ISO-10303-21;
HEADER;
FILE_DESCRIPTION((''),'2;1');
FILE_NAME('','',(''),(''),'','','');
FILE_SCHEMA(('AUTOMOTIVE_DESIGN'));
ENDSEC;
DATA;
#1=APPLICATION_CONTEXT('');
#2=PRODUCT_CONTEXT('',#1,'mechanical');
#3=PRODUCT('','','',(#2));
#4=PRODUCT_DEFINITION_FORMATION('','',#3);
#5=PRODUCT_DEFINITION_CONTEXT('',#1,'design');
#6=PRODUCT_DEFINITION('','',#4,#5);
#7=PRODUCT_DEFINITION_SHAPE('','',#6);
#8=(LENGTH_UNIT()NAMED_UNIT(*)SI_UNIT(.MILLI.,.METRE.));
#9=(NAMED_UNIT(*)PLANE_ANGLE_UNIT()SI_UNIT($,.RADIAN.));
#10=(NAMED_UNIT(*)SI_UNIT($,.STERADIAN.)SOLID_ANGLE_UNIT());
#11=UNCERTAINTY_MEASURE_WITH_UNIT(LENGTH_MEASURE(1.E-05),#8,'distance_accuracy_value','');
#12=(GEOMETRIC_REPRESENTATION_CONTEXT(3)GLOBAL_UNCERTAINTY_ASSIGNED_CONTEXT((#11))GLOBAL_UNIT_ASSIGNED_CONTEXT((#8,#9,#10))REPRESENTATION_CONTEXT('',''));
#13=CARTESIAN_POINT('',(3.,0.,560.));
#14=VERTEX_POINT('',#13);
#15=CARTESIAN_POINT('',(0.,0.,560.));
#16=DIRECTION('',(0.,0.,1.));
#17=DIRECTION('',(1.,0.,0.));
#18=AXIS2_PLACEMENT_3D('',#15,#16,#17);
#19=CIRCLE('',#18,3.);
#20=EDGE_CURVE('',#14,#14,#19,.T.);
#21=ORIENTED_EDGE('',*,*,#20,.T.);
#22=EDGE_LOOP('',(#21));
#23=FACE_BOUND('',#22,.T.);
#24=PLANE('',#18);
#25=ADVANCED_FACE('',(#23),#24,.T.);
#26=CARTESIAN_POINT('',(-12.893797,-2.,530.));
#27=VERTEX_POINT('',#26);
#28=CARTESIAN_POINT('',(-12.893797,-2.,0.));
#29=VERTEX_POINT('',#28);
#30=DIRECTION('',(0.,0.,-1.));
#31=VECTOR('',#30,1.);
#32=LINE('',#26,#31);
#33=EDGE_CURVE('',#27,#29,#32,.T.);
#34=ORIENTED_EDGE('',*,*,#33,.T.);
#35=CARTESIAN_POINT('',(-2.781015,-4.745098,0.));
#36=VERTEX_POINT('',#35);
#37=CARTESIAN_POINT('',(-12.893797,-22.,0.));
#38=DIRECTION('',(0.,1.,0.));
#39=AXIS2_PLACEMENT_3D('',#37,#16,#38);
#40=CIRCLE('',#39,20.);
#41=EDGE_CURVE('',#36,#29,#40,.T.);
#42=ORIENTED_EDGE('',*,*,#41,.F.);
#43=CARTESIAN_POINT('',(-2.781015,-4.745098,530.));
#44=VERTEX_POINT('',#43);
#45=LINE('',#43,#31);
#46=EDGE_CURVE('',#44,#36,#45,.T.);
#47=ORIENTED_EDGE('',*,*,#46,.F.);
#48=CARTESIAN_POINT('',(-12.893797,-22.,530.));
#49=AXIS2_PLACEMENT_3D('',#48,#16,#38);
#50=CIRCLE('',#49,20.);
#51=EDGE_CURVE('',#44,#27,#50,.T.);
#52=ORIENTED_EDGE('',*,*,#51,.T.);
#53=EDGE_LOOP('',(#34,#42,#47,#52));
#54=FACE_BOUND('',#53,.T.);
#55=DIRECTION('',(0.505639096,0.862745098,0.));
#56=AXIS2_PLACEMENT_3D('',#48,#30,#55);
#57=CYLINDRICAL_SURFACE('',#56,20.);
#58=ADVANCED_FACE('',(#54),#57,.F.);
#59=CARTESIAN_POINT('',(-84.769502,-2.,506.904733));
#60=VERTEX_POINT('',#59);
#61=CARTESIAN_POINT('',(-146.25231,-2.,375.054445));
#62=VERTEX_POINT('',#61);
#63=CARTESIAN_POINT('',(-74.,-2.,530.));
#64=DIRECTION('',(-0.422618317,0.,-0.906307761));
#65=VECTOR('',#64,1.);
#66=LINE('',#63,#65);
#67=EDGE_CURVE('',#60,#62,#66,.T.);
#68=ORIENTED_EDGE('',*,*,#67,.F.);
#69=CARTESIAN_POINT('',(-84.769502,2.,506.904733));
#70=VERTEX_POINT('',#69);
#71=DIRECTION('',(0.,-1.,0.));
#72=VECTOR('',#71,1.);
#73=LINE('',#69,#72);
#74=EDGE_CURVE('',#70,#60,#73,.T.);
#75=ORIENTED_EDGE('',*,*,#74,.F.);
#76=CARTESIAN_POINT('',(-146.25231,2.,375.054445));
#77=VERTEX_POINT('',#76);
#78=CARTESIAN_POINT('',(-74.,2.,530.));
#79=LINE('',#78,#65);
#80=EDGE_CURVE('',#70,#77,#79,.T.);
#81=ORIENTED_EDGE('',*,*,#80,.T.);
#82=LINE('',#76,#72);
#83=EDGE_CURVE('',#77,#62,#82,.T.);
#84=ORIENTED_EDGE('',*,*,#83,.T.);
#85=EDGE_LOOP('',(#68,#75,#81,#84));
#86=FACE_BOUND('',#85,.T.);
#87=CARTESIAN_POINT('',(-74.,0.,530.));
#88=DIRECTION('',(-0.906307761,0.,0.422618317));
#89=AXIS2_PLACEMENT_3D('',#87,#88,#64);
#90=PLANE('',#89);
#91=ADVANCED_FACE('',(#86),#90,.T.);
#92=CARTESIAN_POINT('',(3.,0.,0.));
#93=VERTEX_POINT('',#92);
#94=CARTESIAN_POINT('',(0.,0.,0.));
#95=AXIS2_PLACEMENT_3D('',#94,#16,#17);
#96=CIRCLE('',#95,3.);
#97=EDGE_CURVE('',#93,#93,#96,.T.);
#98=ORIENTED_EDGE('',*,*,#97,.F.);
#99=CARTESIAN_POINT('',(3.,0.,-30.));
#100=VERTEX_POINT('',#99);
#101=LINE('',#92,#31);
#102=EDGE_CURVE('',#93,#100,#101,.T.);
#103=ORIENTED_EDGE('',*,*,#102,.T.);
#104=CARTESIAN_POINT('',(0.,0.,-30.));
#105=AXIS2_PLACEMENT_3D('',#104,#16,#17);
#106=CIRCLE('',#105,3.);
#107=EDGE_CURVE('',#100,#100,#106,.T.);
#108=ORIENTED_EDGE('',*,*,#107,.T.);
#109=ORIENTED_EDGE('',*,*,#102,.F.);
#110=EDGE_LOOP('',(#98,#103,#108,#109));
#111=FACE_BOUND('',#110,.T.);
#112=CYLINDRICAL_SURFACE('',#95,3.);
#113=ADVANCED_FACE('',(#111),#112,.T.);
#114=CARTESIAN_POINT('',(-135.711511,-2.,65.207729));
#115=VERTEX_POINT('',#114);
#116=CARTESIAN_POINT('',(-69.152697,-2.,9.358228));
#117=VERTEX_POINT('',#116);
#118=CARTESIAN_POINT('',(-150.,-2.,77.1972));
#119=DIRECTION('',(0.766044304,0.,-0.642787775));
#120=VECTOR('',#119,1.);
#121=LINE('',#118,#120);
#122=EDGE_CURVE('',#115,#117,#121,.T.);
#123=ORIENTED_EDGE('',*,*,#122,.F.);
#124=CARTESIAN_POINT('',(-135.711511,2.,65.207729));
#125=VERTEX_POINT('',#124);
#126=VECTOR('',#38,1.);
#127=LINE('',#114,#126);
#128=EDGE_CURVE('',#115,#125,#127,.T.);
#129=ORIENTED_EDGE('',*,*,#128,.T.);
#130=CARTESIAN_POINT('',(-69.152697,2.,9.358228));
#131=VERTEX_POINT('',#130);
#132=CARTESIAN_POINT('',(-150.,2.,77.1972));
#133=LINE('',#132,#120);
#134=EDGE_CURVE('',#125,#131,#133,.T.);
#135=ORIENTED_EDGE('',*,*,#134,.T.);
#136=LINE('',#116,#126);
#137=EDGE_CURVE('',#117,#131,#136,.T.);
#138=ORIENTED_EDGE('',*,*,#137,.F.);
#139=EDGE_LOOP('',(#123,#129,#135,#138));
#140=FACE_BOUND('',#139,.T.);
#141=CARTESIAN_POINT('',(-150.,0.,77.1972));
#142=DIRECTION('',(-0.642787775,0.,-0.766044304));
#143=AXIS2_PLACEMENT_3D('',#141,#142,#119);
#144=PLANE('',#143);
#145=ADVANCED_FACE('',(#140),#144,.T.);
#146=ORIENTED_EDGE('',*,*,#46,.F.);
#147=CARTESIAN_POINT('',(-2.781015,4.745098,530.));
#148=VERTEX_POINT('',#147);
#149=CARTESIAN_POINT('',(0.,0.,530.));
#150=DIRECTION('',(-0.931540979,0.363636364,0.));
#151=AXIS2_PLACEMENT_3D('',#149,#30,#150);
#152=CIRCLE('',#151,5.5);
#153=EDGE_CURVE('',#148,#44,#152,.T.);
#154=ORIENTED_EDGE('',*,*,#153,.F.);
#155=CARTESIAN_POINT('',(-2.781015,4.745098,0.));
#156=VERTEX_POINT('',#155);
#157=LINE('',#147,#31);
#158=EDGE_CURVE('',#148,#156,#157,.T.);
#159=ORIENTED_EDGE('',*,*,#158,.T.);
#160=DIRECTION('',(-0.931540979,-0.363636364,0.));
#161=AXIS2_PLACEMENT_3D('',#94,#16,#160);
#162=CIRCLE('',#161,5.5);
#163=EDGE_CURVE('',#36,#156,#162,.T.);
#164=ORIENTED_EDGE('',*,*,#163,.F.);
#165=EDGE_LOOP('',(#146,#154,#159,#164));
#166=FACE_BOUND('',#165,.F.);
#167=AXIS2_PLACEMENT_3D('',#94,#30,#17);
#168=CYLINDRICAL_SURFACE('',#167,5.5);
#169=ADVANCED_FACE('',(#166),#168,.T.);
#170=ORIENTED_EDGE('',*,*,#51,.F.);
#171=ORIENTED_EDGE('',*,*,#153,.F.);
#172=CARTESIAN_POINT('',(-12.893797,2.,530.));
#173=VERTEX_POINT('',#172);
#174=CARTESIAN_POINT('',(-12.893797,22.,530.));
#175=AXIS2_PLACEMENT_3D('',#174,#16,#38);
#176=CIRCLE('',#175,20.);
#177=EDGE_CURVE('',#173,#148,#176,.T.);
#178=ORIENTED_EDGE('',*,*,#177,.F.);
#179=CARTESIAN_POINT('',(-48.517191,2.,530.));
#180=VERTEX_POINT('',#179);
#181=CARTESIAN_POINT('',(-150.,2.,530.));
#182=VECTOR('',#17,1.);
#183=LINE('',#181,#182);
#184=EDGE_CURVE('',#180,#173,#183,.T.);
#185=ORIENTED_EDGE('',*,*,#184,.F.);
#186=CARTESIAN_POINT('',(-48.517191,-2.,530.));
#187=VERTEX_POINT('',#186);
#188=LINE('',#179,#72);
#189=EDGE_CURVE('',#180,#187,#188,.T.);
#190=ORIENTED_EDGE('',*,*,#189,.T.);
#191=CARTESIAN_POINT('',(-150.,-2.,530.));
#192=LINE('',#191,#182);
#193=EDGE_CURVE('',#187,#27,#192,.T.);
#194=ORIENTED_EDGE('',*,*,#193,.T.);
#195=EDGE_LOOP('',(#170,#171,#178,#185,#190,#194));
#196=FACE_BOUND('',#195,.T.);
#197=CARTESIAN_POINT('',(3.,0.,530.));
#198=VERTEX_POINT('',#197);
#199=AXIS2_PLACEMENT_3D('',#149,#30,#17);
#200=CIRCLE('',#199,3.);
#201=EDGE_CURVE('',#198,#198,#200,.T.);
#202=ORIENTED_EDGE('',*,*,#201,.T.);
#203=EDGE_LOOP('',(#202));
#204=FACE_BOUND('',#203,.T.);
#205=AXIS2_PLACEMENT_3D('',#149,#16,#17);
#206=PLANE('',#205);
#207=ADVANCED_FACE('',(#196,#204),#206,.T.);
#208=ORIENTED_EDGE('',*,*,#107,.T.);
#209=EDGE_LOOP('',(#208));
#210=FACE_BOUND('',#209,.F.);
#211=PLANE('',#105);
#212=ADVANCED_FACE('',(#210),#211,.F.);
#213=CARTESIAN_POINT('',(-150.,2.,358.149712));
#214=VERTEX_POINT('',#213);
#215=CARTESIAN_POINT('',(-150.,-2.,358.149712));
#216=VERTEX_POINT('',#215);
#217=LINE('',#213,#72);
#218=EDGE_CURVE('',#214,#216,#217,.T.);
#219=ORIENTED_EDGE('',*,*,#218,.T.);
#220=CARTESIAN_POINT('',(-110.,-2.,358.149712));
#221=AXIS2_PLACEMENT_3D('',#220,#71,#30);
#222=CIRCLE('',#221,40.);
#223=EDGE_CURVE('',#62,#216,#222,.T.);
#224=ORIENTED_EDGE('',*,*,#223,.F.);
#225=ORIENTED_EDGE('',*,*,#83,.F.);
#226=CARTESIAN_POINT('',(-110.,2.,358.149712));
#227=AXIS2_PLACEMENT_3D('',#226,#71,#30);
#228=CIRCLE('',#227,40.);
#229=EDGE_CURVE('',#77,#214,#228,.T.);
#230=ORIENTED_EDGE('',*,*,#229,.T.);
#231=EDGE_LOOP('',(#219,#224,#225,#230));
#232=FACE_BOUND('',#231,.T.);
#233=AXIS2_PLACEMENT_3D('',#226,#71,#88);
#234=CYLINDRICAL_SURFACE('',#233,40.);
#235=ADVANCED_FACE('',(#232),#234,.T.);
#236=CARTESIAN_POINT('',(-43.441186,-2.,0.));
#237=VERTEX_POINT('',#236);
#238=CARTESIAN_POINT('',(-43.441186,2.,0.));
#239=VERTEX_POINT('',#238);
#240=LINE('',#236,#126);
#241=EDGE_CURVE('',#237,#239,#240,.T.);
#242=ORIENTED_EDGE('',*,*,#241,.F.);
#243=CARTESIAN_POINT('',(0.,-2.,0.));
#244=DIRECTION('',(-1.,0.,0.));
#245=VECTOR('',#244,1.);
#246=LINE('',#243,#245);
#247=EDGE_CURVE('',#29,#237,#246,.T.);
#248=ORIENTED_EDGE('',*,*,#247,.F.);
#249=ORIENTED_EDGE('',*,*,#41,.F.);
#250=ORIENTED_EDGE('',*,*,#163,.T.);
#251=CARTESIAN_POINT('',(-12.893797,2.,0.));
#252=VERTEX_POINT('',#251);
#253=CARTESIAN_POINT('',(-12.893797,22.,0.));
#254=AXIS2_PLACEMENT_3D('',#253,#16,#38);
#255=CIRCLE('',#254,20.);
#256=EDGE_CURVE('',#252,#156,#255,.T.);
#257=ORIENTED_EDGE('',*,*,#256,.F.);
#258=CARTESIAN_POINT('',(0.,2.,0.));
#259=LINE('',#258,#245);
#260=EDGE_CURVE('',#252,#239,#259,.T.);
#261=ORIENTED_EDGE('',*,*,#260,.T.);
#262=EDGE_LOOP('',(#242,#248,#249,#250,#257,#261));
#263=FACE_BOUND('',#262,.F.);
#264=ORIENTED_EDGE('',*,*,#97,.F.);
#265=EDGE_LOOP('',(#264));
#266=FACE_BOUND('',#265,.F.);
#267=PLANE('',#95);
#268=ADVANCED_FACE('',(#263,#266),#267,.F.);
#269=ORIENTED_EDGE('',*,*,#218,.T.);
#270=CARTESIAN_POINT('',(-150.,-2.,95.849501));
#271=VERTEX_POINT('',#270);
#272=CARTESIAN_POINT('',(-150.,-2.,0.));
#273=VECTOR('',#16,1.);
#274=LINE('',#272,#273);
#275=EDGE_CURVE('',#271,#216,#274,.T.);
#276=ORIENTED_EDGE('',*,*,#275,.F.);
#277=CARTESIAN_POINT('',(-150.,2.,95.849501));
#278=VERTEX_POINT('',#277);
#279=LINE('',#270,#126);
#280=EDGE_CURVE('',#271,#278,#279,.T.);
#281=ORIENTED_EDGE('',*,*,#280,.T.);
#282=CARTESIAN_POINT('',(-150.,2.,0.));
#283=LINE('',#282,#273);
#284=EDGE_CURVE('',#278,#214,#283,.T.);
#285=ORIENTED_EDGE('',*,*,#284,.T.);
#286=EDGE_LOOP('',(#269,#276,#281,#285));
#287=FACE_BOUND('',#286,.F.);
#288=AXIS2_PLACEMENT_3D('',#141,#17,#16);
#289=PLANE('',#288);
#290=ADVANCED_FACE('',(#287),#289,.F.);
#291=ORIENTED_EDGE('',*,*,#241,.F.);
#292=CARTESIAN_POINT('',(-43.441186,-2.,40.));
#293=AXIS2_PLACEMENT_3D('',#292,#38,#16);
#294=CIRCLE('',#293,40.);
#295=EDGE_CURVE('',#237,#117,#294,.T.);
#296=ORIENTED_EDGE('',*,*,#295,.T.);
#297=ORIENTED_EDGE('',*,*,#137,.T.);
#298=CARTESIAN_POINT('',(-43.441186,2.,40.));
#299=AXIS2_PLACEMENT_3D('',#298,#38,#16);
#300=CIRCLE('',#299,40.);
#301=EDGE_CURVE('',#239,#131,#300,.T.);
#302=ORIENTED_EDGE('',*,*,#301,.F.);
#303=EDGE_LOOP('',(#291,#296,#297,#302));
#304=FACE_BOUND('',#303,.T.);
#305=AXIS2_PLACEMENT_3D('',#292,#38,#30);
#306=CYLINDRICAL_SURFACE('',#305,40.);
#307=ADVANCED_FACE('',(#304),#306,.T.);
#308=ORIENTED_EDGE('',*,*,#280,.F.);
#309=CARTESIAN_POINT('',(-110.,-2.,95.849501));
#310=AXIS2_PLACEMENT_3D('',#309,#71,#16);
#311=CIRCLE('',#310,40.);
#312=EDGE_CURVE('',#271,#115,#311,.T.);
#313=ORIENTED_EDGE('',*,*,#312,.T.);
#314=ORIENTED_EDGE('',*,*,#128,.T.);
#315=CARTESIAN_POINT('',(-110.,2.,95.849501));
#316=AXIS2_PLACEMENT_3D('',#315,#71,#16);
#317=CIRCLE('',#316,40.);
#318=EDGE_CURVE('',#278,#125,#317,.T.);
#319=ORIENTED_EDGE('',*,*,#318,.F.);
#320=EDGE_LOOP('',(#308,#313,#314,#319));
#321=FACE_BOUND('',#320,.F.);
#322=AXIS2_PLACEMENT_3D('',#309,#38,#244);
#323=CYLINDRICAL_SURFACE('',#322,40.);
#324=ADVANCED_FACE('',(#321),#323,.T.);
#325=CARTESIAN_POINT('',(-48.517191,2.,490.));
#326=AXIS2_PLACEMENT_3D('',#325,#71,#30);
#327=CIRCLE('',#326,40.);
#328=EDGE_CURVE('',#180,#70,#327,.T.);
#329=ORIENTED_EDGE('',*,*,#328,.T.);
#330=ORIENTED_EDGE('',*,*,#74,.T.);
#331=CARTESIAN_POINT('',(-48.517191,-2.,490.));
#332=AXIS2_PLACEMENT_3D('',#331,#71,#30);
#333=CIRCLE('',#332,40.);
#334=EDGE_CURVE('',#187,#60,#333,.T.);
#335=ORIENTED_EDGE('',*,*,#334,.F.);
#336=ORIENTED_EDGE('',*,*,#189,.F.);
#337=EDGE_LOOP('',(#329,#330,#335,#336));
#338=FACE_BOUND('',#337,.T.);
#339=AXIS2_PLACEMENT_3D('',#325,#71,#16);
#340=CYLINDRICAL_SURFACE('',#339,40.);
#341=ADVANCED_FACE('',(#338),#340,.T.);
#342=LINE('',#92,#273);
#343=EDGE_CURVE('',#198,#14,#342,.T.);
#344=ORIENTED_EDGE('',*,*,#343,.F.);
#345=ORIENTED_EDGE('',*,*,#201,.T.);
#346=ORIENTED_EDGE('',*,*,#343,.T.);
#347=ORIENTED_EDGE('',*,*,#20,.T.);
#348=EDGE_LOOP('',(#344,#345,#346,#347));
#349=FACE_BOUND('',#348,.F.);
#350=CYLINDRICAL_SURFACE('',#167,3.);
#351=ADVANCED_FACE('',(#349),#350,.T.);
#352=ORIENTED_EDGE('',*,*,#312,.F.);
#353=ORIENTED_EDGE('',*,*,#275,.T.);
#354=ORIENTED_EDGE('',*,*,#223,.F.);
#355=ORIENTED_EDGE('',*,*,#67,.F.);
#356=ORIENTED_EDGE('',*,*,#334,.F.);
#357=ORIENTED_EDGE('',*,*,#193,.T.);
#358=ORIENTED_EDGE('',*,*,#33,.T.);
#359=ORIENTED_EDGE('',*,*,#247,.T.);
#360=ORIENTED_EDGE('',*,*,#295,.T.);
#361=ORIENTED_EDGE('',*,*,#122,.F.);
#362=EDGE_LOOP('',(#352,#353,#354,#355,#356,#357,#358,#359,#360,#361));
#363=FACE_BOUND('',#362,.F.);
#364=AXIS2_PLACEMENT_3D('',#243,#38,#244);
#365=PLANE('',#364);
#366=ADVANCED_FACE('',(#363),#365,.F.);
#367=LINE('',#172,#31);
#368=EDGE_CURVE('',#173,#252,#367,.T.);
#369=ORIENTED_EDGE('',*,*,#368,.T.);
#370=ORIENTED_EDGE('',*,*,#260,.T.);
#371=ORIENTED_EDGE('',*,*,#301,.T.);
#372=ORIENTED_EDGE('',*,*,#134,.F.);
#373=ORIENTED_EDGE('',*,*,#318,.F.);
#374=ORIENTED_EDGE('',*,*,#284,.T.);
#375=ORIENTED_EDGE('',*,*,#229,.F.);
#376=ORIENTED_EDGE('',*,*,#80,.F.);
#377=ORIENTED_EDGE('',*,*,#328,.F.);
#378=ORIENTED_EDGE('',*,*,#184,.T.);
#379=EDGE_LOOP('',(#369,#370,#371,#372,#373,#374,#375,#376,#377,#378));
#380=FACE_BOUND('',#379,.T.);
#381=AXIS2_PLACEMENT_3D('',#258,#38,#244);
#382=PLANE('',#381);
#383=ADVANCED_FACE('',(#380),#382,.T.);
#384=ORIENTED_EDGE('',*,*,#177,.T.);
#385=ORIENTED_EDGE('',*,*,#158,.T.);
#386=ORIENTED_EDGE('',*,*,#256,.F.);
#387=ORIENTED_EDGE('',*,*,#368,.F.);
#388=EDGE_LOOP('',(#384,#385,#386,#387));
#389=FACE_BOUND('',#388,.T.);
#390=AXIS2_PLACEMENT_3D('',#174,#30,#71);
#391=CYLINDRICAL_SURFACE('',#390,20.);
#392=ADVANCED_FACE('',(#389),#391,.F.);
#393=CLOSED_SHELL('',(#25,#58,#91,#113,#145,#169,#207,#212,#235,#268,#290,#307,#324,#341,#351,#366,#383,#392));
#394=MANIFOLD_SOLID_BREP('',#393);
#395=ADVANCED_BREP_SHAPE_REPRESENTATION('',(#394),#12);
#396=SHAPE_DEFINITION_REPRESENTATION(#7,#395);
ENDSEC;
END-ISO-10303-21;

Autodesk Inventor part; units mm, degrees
ref_plane "YZ Plane" through (0, 0, 0) normal (1, 0, 0) x (0, 1, 0)
ref_plane "XZ Plane" through (0, 0, 0) normal (0, 1, 0) x (-1, 0, 0)
ref_plane "XY Plane" through (0, 0, 0) normal (0, 0, 1) x (1, 0, 0)
sketch "Sketch1" plane through (0, 0, 0) normal (0, 0, 1) x (1, 0, 0)
  circle A0 centre (0, 0) radius 5.5
  circle A1 centre (0, 0) radius 3
  dimension "d0" = 11
  dimension "d1" = 6
extrude "tube" add sketch "Sketch1" along normal blind 530
sketch "Sketch2" plane through (0, 0, 0) normal (0, 1, 0) x (-1, 0, 0)
  line L0 (0, 0) -> (150, 0)
  line L1 (150, 0) -> (150, 530)
  line L2 (150, 530) -> (0, 530)
  line L3 (0, 530) -> (0, 0)
  line L4 (75, 0) -> (165.4178, 0) construction
  line L5 (74, 530) -> (150, 367.0175)
  line L6 (74, 530) -> (253.8313, 530) construction
  line L7 (150, 77.1972) -> (58, 0)
  point P0 (150, 333)
  dimension "d4" = 150
  dimension "d5" = 530
  dimension "d9" = 65
  dimension "d16" = 74
  dimension "d17" = 58
  dimension "d18" = 40
extrude "tail" add sketch "Sketch2" along normal mid plane 4 contours L3 L2 L5 L1 L7 L0
fillet "Fillet1" radius 40 4 edges at (-74, 0, 530) (-150, 0, 367.0175) (-150, 0, 77.1972) (-58, 0, 0)
fillet "Fillet2" radius 20 2 edges at (-5.1235, -2, 265) (-5.1235, 2, 265)
extrude "shaft" add sketch "Sketch1" along normal blind 560 and the other way blind 30 contours A1
equation "\"d2\" = tail_height"
equation "\"d5\" = tail_height"
equation "\"tail_height\" = 530"
properties part number "tail2"
